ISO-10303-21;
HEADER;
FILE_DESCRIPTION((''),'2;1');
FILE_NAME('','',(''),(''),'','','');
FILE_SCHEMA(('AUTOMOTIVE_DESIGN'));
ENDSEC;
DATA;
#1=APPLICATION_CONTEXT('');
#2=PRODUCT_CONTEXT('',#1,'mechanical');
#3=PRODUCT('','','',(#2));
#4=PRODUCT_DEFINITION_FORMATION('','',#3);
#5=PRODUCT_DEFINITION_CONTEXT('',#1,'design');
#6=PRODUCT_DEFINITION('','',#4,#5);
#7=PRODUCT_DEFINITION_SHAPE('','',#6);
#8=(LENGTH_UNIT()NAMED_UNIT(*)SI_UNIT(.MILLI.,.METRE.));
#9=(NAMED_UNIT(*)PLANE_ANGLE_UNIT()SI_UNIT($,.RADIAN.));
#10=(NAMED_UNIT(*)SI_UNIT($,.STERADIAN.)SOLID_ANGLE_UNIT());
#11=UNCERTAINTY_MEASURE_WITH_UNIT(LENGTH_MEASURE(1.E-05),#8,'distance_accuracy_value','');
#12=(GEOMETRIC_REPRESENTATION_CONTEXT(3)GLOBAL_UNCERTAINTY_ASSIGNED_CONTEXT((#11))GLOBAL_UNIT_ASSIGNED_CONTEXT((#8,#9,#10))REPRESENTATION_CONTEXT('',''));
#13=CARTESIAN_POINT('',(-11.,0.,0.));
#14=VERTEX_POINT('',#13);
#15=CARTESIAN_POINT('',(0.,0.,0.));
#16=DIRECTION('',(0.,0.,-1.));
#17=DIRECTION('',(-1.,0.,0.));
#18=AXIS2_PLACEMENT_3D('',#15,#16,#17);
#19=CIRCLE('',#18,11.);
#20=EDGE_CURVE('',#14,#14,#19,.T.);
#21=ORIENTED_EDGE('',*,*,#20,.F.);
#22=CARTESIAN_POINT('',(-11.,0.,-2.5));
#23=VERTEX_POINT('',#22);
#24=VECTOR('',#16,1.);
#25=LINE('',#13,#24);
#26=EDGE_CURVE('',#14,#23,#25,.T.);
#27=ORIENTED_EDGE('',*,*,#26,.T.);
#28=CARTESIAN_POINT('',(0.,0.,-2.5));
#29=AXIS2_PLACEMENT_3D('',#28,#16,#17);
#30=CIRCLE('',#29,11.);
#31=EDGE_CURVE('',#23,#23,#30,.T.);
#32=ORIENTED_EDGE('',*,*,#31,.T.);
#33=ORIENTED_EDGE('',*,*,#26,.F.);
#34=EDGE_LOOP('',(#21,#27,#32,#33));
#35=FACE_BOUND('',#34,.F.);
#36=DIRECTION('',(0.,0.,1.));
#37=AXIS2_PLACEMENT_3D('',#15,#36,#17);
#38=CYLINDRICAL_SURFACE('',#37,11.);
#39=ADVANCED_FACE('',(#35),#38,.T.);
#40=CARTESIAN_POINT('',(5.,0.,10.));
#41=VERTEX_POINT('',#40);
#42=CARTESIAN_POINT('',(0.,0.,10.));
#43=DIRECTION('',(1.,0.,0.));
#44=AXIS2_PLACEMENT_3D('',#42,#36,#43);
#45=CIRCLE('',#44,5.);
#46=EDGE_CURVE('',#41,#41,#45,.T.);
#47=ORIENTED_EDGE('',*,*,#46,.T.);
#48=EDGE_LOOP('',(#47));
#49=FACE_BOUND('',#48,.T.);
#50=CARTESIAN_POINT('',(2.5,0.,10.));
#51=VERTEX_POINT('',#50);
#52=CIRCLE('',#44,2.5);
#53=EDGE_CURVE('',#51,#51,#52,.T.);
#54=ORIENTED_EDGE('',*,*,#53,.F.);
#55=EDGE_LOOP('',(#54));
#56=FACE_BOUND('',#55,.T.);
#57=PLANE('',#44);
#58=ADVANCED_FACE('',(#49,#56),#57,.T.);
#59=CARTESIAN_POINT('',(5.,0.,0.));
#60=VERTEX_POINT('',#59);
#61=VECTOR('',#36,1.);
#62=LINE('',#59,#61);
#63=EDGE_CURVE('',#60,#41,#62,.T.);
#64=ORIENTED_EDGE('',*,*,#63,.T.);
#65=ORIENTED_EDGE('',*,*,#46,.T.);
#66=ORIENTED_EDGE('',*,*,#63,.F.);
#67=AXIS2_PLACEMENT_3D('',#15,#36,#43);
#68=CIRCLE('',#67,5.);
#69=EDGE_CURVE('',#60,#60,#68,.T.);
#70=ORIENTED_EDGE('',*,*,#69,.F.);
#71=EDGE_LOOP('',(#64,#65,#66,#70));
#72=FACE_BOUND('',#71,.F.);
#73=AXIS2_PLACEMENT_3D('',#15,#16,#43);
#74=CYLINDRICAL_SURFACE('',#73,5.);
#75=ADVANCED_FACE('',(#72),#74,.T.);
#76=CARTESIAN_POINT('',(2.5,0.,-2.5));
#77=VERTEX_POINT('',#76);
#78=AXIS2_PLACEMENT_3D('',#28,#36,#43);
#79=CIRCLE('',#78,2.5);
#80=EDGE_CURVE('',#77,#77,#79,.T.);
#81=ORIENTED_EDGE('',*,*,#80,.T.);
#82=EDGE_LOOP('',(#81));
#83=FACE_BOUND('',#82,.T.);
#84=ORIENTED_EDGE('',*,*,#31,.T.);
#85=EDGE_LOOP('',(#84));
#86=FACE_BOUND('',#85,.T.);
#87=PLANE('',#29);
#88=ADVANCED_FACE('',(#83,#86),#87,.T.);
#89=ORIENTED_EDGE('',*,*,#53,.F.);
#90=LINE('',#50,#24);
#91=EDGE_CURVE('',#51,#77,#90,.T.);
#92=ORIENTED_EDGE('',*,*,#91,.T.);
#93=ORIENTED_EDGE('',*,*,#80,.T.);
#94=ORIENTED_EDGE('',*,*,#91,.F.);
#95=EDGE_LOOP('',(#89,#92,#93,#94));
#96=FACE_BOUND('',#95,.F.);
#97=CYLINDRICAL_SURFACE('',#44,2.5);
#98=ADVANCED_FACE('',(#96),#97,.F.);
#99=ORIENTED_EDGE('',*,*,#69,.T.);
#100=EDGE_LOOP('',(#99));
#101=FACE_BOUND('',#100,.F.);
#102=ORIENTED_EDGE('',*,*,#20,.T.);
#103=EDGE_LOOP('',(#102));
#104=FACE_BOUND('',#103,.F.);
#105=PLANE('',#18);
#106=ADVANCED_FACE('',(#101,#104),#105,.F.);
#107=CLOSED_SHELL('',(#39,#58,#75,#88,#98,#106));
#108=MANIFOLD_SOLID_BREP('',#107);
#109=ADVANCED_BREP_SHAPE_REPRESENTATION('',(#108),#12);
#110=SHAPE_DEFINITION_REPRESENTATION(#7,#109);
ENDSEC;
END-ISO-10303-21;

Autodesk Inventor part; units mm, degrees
ref_plane "YZ Plane" through (0, 0, 0) normal (1, 0, 0) x (0, 1, 0)
ref_plane "XZ Plane" through (0, 0, 0) normal (0, 1, 0) x (-1, 0, 0)
ref_plane "XY Plane" through (0, 0, 0) normal (0, 0, 1) x (1, 0, 0)
sketch "Эскиз1" plane through (0, 0, 0) normal (0, 0, 1) x (1, 0, 0)
  circle A0 centre (0, 0) radius 5
  dimension "d1" = 10
extrude "Выдавливание1" add sketch "Эскиз1" along normal blind 10
sketch "Эскиз2" plane through (0, 0, 0) normal (0, 0, -1) x (-1, 0, 0)
  circle A0 centre (0, 0) radius 11
  dimension "d4" = 22
extrude "Выдавливание2" add sketch "Эскиз2" along normal blind 2.5
sketch "Эскиз3" plane through (0, 0, 10) normal (0, 0, 1) x (1, 0, 0)
  circle A0 centre (0, 0) radius 2.5
  dimension "d7" = 5
extrude "Выдавливание3" cut sketch "Эскиз3" against normal blind 12.5
sketch "Эскиз4" plane through (0, 0, 0) normal (0, 0, 1) x (1, 0, 0)
  point P0 (0, 0)
properties part number "akfytw2"
